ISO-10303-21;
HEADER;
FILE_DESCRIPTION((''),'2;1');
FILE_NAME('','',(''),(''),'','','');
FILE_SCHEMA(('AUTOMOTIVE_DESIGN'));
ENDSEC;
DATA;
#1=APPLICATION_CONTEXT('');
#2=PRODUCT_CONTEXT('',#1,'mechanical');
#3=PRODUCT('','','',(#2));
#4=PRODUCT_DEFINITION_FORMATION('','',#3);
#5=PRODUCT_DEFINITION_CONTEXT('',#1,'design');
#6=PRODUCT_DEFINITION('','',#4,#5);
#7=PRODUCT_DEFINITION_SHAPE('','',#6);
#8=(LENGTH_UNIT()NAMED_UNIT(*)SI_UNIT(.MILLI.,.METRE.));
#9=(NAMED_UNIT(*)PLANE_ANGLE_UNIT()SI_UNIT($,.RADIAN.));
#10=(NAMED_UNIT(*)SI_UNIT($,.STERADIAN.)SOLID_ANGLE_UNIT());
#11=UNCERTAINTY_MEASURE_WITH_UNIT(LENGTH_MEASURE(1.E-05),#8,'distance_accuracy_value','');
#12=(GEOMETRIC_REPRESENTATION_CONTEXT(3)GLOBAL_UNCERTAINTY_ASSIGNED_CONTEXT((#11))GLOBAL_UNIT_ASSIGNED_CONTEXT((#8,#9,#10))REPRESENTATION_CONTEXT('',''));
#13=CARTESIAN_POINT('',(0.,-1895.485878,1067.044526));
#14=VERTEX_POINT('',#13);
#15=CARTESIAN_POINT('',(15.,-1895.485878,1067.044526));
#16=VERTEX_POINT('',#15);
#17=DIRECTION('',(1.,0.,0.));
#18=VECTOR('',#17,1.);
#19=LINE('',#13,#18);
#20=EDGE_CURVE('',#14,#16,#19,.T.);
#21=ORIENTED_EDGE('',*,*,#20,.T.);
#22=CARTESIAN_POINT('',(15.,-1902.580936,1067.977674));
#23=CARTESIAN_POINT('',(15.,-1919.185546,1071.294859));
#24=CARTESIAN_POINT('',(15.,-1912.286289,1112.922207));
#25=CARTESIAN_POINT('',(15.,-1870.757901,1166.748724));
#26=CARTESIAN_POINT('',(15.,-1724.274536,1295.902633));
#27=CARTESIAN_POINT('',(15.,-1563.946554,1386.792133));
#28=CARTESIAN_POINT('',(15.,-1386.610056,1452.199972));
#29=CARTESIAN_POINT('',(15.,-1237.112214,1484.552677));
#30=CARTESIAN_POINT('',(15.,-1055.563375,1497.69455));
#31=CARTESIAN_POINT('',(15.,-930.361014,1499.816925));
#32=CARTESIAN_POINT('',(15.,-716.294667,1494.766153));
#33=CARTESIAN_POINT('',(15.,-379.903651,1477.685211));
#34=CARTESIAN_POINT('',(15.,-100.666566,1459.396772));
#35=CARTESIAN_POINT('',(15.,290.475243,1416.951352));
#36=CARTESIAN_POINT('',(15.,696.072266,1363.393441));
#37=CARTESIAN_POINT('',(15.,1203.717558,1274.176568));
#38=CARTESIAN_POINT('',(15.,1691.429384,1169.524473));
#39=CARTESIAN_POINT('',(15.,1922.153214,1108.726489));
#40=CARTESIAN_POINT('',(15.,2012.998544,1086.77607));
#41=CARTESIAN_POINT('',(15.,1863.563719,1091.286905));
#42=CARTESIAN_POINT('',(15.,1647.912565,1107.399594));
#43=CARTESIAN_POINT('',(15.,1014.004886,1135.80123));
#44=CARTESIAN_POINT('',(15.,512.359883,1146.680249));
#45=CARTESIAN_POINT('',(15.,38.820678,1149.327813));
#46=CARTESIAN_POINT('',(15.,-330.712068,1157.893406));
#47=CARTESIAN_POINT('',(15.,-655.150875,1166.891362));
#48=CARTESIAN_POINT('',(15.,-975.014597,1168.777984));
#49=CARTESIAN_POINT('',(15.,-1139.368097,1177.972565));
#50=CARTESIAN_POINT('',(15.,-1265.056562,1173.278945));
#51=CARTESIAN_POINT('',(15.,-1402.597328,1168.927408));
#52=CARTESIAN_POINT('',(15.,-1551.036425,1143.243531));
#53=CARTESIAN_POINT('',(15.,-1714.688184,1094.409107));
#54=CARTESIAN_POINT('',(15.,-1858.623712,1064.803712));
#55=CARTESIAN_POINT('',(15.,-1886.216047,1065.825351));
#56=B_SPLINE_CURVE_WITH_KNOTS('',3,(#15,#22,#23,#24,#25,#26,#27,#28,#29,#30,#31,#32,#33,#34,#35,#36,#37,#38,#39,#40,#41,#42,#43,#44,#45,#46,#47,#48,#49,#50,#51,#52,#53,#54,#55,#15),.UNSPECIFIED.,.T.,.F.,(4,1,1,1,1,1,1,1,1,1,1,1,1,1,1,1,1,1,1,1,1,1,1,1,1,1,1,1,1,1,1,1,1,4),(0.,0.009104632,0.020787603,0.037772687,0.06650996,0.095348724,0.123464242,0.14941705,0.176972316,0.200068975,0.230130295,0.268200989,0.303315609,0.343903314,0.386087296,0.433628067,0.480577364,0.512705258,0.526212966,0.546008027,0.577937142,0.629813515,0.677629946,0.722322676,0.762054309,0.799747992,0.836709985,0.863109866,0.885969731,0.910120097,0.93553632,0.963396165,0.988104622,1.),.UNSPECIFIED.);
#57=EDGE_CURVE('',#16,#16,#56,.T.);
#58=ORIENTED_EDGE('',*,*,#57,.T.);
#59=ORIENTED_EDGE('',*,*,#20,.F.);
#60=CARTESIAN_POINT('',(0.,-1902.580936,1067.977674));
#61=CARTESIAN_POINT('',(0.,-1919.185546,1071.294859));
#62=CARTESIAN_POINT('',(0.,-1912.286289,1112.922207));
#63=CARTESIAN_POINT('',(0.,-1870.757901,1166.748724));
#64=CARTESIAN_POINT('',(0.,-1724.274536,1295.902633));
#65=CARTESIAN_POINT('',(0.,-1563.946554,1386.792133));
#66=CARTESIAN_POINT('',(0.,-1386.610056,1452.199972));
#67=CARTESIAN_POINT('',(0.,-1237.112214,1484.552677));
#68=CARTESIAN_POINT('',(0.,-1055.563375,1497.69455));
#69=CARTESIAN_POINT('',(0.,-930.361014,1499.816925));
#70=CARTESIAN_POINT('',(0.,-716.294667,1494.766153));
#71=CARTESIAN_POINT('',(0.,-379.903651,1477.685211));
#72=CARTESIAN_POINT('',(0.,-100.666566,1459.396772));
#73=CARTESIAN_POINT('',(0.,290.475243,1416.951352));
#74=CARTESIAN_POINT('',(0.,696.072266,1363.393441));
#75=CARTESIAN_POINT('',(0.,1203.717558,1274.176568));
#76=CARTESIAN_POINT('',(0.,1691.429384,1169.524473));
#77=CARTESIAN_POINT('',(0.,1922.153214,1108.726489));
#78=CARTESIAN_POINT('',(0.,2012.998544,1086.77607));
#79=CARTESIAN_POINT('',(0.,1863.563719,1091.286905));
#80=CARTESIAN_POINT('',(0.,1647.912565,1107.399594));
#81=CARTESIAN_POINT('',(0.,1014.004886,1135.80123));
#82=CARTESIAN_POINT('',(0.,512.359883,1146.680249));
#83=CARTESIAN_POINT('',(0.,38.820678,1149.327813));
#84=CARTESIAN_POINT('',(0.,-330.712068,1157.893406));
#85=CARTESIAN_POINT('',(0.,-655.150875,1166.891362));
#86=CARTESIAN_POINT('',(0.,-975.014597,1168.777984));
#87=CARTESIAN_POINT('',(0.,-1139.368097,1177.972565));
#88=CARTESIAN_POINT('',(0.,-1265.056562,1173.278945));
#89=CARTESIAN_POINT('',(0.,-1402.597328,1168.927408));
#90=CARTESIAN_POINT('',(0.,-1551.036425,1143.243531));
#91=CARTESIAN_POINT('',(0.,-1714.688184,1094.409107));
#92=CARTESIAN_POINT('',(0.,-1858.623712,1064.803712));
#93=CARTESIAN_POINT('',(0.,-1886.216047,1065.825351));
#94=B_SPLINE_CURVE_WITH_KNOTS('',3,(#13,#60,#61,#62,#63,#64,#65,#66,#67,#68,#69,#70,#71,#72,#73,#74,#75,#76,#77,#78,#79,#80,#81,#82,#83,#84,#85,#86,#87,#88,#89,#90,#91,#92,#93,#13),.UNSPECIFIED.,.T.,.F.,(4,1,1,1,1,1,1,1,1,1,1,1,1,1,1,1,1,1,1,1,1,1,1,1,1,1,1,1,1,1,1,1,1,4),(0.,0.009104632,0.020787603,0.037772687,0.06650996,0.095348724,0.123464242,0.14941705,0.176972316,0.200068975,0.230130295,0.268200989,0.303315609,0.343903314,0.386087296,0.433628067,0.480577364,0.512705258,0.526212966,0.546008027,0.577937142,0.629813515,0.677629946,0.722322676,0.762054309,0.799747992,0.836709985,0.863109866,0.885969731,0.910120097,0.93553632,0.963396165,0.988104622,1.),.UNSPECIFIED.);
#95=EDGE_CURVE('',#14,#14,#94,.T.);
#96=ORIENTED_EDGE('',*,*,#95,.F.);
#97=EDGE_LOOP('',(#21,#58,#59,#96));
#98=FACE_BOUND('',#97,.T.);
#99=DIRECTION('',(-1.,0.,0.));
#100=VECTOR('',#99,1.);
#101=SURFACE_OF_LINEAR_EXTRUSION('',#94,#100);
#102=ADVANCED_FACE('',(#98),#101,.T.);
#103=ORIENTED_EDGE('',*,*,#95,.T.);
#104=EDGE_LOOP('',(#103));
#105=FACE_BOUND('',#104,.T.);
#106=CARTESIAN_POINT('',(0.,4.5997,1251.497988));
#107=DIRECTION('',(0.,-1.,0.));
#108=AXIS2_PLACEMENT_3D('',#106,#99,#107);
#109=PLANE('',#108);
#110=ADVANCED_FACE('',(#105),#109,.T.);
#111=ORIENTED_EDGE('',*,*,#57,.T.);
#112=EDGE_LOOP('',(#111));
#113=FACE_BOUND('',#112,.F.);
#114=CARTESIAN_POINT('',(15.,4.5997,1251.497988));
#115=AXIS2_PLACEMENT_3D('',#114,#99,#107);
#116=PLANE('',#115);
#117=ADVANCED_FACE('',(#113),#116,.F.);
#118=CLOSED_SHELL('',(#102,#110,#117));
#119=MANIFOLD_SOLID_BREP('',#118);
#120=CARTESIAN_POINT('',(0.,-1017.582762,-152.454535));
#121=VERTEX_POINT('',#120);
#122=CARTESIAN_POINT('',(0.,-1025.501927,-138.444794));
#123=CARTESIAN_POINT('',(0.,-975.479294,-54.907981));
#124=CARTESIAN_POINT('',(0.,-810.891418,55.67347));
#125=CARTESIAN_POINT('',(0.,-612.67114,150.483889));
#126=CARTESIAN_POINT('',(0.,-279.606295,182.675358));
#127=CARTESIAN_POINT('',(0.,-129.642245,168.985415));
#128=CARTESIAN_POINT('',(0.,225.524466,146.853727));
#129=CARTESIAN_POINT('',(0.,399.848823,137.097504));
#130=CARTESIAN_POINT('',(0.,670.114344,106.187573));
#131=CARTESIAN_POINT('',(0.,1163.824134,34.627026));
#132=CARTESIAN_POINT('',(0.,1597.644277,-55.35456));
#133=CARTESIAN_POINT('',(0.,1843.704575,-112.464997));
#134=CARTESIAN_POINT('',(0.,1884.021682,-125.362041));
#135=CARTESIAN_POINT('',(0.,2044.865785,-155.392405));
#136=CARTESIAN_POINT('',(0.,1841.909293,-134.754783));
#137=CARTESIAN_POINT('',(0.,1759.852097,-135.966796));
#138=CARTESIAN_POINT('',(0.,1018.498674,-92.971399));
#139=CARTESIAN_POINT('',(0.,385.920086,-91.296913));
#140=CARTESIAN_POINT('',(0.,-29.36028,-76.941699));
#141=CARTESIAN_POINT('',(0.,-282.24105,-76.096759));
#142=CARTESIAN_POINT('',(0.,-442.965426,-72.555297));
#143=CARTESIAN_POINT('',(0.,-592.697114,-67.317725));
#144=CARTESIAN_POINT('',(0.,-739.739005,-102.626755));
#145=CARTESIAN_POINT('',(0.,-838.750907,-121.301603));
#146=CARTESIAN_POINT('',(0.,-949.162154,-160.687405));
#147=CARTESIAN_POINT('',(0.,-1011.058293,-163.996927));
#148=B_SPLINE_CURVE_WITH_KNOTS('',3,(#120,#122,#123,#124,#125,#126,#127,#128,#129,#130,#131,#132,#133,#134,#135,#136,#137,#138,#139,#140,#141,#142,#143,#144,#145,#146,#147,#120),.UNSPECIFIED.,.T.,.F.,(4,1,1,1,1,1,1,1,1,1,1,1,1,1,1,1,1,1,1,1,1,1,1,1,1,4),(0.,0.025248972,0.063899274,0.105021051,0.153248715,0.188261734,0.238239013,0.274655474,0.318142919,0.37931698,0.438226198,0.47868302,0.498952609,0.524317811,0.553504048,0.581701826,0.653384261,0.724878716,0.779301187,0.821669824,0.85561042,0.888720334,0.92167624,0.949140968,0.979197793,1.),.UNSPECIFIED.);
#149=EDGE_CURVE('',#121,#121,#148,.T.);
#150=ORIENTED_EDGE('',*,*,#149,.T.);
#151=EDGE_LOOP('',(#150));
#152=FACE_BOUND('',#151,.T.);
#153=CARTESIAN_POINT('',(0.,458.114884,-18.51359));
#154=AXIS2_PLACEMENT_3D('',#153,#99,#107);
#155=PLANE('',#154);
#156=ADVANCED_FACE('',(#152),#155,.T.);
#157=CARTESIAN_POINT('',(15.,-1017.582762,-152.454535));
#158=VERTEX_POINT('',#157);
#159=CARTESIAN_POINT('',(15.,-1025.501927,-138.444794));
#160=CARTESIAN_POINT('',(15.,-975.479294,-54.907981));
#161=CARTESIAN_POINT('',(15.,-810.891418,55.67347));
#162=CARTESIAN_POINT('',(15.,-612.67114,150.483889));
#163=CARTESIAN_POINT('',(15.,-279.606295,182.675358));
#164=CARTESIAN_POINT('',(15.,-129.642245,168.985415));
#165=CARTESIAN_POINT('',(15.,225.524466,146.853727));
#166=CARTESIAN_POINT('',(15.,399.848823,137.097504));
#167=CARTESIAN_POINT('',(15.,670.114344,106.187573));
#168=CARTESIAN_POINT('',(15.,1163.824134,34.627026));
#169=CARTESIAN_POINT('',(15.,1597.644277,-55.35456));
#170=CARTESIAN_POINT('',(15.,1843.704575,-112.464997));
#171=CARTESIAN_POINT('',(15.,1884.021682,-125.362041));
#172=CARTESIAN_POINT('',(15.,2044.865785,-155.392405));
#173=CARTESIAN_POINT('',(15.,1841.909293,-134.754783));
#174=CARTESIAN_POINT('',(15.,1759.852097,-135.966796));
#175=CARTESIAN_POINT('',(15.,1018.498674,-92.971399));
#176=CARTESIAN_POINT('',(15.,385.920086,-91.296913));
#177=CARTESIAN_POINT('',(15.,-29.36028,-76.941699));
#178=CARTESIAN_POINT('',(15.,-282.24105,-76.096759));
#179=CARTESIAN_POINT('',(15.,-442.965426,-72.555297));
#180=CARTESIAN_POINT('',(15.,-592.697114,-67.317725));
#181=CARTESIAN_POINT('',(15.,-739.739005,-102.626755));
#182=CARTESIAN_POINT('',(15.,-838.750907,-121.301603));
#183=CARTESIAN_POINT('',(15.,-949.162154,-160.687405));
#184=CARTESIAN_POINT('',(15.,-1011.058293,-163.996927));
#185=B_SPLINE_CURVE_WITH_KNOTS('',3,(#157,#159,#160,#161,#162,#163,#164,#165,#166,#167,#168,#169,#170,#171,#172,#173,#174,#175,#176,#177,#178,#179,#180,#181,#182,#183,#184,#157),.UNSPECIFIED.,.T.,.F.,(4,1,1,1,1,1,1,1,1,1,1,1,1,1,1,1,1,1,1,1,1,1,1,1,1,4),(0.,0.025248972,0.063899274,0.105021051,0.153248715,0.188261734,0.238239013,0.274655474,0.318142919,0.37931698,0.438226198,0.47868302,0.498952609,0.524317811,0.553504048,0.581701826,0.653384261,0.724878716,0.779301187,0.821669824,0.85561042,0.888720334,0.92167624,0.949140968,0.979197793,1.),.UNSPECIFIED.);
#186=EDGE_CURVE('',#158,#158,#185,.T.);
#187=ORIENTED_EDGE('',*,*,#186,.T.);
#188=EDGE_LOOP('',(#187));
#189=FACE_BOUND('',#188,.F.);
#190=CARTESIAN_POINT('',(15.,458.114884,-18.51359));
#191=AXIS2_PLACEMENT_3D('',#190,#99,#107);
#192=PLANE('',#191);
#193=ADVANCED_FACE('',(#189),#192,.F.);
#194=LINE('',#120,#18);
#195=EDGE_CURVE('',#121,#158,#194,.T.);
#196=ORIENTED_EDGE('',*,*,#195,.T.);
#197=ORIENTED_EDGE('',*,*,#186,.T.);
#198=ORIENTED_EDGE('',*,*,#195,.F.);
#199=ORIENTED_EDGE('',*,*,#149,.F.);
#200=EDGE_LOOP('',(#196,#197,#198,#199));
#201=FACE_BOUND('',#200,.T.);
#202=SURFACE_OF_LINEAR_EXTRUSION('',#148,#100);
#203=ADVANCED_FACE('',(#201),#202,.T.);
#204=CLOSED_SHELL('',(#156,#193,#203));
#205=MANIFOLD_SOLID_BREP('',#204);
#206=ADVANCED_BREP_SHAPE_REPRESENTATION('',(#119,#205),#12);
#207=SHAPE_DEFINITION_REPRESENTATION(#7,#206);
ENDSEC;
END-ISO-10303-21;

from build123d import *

# Parameters (mm, degrees)
F1_DEPTH = 15
F3_DEPTH = 15


with BuildPart() as f1:
    # F0 (on Right) → F1 (new body)
    with BuildSketch(Plane.YZ):
        with BuildLine():
            add(Edge.make_bspline(
                [(-1017.5827617226, -152.4545347222), (-1025.5019271119, -138.4447936682), (-975.4792940387, -54.9079812284), (-810.8914182418, 55.6734700218), (-612.6711395335, 150.4838887381), (-279.6062948764, 182.6753582136), (-129.6422452149, 168.9854145727), (225.5244661237, 146.8537269263), (399.8488230825, 137.0975044404), (670.1143440114, 106.1875726246), (1163.8241343777, 34.6270259419), (1597.6442770226, -55.3545595821), (1843.704574677, -112.464996744), (1884.0216820812, -125.362040971), (2044.8657853617, -155.3924051075), (1841.9092930617, -134.7547829246), (1759.8520969907, -135.9667963493), (1018.4986736794, -92.9713987883), (385.9200858697, -91.2969133817), (-29.3602799609, -76.9416991939), (-282.2410504513, -76.096759372), (-442.9654260873, -72.555297094), (-592.6971138558, -67.3177246928), (-739.7390051385, -102.6267547438), (-838.750907197, -121.3016032594), (-949.1621543224, -160.6874051016), (-1011.0582932565, -163.9969270365), (-1017.5827617226, -152.4545347222)],
                knots=[0, 0, 0, 0, 0.0252489717, 0.0638992743, 0.1050210508, 0.1532487151, 0.1882617339, 0.2382390127, 0.2746554741, 0.3181429193, 0.3793169804, 0.4382261984, 0.4786830198, 0.4989526085, 0.5243178111, 0.5535040484, 0.5817018261, 0.6533842612, 0.7248787159, 0.7793011866, 0.8216698243, 0.8556104202, 0.8887203337, 0.92167624, 0.9491409676, 0.9791977928, 1, 1, 1, 1], degree=3))
        make_face()
    extrude(amount=F1_DEPTH)


with BuildPart() as f3:
    # F2 (on Right) → F3 (new body)
    with BuildSketch(Plane.YZ):
        with BuildLine():
            add(Edge.make_bspline(
                [(-1895.4858779907, 1067.0445263386), (-1902.580936119, 1067.9776740531), (-1919.1855462771, 1071.2948586637), (-1912.2862892516, 1112.9222068339), (-1870.7579009066, 1166.7487235507), (-1724.2745357946, 1295.9026325309), (-1563.9465539646, 1386.7921333679), (-1386.6100561705, 1452.1999724323), (-1237.1122135022, 1484.5526767911), (-1055.5633748731, 1497.6945503841), (-930.3610141431, 1499.8169247738), (-716.2946665886, 1494.7661528386), (-379.9036505064, 1477.6852112447), (-100.6665663531, 1459.3967720123), (290.4752427477, 1416.9513520315), (696.0722659335, 1363.3934414802), (1203.7175584868, 1274.1765681898), (1691.4293844467, 1169.5244729741), (1922.1532136315, 1108.726488679), (2012.998544266, 1086.7760702697), (1863.5637189302, 1091.286905356), (1647.9125654365, 1107.3995941713), (1014.0048858705, 1135.8012304924), (512.3598832912, 1146.6802490881), (38.8206775739, 1149.3278132359), (-330.7120675284, 1157.8934055537), (-655.1508754096, 1166.8913624199), (-975.0145972545, 1168.7779839926), (-1139.368096543, 1177.9725646582), (-1265.0565624778, 1173.2789445559), (-1402.5973282234, 1168.9274076775), (-1551.0364245737, 1143.2435314936), (-1714.6881838895, 1094.4091066057), (-1858.6237120021, 1064.8037122414), (-1886.216047093, 1065.8253507717), (-1895.4858779907, 1067.0445263386)],
                knots=[0, 0, 0, 0, 0.0091046321, 0.0207876026, 0.0377726871, 0.0665099597, 0.0953487237, 0.1234642424, 0.1494170498, 0.1769723159, 0.2000689753, 0.2301302947, 0.2682009888, 0.3033156093, 0.3439033139, 0.3860872956, 0.4336280669, 0.4805773638, 0.5127052579, 0.5262129664, 0.5460080266, 0.5779371422, 0.6298135146, 0.677629946, 0.7223226763, 0.7620543087, 0.7997479923, 0.8367099855, 0.8631098665, 0.8859697306, 0.9101200966, 0.9355363198, 0.9633961652, 0.9881046217, 1, 1, 1, 1], degree=3))
        make_face()
    extrude(amount=F3_DEPTH)


solid = Compound([f1.part, f3.part])
